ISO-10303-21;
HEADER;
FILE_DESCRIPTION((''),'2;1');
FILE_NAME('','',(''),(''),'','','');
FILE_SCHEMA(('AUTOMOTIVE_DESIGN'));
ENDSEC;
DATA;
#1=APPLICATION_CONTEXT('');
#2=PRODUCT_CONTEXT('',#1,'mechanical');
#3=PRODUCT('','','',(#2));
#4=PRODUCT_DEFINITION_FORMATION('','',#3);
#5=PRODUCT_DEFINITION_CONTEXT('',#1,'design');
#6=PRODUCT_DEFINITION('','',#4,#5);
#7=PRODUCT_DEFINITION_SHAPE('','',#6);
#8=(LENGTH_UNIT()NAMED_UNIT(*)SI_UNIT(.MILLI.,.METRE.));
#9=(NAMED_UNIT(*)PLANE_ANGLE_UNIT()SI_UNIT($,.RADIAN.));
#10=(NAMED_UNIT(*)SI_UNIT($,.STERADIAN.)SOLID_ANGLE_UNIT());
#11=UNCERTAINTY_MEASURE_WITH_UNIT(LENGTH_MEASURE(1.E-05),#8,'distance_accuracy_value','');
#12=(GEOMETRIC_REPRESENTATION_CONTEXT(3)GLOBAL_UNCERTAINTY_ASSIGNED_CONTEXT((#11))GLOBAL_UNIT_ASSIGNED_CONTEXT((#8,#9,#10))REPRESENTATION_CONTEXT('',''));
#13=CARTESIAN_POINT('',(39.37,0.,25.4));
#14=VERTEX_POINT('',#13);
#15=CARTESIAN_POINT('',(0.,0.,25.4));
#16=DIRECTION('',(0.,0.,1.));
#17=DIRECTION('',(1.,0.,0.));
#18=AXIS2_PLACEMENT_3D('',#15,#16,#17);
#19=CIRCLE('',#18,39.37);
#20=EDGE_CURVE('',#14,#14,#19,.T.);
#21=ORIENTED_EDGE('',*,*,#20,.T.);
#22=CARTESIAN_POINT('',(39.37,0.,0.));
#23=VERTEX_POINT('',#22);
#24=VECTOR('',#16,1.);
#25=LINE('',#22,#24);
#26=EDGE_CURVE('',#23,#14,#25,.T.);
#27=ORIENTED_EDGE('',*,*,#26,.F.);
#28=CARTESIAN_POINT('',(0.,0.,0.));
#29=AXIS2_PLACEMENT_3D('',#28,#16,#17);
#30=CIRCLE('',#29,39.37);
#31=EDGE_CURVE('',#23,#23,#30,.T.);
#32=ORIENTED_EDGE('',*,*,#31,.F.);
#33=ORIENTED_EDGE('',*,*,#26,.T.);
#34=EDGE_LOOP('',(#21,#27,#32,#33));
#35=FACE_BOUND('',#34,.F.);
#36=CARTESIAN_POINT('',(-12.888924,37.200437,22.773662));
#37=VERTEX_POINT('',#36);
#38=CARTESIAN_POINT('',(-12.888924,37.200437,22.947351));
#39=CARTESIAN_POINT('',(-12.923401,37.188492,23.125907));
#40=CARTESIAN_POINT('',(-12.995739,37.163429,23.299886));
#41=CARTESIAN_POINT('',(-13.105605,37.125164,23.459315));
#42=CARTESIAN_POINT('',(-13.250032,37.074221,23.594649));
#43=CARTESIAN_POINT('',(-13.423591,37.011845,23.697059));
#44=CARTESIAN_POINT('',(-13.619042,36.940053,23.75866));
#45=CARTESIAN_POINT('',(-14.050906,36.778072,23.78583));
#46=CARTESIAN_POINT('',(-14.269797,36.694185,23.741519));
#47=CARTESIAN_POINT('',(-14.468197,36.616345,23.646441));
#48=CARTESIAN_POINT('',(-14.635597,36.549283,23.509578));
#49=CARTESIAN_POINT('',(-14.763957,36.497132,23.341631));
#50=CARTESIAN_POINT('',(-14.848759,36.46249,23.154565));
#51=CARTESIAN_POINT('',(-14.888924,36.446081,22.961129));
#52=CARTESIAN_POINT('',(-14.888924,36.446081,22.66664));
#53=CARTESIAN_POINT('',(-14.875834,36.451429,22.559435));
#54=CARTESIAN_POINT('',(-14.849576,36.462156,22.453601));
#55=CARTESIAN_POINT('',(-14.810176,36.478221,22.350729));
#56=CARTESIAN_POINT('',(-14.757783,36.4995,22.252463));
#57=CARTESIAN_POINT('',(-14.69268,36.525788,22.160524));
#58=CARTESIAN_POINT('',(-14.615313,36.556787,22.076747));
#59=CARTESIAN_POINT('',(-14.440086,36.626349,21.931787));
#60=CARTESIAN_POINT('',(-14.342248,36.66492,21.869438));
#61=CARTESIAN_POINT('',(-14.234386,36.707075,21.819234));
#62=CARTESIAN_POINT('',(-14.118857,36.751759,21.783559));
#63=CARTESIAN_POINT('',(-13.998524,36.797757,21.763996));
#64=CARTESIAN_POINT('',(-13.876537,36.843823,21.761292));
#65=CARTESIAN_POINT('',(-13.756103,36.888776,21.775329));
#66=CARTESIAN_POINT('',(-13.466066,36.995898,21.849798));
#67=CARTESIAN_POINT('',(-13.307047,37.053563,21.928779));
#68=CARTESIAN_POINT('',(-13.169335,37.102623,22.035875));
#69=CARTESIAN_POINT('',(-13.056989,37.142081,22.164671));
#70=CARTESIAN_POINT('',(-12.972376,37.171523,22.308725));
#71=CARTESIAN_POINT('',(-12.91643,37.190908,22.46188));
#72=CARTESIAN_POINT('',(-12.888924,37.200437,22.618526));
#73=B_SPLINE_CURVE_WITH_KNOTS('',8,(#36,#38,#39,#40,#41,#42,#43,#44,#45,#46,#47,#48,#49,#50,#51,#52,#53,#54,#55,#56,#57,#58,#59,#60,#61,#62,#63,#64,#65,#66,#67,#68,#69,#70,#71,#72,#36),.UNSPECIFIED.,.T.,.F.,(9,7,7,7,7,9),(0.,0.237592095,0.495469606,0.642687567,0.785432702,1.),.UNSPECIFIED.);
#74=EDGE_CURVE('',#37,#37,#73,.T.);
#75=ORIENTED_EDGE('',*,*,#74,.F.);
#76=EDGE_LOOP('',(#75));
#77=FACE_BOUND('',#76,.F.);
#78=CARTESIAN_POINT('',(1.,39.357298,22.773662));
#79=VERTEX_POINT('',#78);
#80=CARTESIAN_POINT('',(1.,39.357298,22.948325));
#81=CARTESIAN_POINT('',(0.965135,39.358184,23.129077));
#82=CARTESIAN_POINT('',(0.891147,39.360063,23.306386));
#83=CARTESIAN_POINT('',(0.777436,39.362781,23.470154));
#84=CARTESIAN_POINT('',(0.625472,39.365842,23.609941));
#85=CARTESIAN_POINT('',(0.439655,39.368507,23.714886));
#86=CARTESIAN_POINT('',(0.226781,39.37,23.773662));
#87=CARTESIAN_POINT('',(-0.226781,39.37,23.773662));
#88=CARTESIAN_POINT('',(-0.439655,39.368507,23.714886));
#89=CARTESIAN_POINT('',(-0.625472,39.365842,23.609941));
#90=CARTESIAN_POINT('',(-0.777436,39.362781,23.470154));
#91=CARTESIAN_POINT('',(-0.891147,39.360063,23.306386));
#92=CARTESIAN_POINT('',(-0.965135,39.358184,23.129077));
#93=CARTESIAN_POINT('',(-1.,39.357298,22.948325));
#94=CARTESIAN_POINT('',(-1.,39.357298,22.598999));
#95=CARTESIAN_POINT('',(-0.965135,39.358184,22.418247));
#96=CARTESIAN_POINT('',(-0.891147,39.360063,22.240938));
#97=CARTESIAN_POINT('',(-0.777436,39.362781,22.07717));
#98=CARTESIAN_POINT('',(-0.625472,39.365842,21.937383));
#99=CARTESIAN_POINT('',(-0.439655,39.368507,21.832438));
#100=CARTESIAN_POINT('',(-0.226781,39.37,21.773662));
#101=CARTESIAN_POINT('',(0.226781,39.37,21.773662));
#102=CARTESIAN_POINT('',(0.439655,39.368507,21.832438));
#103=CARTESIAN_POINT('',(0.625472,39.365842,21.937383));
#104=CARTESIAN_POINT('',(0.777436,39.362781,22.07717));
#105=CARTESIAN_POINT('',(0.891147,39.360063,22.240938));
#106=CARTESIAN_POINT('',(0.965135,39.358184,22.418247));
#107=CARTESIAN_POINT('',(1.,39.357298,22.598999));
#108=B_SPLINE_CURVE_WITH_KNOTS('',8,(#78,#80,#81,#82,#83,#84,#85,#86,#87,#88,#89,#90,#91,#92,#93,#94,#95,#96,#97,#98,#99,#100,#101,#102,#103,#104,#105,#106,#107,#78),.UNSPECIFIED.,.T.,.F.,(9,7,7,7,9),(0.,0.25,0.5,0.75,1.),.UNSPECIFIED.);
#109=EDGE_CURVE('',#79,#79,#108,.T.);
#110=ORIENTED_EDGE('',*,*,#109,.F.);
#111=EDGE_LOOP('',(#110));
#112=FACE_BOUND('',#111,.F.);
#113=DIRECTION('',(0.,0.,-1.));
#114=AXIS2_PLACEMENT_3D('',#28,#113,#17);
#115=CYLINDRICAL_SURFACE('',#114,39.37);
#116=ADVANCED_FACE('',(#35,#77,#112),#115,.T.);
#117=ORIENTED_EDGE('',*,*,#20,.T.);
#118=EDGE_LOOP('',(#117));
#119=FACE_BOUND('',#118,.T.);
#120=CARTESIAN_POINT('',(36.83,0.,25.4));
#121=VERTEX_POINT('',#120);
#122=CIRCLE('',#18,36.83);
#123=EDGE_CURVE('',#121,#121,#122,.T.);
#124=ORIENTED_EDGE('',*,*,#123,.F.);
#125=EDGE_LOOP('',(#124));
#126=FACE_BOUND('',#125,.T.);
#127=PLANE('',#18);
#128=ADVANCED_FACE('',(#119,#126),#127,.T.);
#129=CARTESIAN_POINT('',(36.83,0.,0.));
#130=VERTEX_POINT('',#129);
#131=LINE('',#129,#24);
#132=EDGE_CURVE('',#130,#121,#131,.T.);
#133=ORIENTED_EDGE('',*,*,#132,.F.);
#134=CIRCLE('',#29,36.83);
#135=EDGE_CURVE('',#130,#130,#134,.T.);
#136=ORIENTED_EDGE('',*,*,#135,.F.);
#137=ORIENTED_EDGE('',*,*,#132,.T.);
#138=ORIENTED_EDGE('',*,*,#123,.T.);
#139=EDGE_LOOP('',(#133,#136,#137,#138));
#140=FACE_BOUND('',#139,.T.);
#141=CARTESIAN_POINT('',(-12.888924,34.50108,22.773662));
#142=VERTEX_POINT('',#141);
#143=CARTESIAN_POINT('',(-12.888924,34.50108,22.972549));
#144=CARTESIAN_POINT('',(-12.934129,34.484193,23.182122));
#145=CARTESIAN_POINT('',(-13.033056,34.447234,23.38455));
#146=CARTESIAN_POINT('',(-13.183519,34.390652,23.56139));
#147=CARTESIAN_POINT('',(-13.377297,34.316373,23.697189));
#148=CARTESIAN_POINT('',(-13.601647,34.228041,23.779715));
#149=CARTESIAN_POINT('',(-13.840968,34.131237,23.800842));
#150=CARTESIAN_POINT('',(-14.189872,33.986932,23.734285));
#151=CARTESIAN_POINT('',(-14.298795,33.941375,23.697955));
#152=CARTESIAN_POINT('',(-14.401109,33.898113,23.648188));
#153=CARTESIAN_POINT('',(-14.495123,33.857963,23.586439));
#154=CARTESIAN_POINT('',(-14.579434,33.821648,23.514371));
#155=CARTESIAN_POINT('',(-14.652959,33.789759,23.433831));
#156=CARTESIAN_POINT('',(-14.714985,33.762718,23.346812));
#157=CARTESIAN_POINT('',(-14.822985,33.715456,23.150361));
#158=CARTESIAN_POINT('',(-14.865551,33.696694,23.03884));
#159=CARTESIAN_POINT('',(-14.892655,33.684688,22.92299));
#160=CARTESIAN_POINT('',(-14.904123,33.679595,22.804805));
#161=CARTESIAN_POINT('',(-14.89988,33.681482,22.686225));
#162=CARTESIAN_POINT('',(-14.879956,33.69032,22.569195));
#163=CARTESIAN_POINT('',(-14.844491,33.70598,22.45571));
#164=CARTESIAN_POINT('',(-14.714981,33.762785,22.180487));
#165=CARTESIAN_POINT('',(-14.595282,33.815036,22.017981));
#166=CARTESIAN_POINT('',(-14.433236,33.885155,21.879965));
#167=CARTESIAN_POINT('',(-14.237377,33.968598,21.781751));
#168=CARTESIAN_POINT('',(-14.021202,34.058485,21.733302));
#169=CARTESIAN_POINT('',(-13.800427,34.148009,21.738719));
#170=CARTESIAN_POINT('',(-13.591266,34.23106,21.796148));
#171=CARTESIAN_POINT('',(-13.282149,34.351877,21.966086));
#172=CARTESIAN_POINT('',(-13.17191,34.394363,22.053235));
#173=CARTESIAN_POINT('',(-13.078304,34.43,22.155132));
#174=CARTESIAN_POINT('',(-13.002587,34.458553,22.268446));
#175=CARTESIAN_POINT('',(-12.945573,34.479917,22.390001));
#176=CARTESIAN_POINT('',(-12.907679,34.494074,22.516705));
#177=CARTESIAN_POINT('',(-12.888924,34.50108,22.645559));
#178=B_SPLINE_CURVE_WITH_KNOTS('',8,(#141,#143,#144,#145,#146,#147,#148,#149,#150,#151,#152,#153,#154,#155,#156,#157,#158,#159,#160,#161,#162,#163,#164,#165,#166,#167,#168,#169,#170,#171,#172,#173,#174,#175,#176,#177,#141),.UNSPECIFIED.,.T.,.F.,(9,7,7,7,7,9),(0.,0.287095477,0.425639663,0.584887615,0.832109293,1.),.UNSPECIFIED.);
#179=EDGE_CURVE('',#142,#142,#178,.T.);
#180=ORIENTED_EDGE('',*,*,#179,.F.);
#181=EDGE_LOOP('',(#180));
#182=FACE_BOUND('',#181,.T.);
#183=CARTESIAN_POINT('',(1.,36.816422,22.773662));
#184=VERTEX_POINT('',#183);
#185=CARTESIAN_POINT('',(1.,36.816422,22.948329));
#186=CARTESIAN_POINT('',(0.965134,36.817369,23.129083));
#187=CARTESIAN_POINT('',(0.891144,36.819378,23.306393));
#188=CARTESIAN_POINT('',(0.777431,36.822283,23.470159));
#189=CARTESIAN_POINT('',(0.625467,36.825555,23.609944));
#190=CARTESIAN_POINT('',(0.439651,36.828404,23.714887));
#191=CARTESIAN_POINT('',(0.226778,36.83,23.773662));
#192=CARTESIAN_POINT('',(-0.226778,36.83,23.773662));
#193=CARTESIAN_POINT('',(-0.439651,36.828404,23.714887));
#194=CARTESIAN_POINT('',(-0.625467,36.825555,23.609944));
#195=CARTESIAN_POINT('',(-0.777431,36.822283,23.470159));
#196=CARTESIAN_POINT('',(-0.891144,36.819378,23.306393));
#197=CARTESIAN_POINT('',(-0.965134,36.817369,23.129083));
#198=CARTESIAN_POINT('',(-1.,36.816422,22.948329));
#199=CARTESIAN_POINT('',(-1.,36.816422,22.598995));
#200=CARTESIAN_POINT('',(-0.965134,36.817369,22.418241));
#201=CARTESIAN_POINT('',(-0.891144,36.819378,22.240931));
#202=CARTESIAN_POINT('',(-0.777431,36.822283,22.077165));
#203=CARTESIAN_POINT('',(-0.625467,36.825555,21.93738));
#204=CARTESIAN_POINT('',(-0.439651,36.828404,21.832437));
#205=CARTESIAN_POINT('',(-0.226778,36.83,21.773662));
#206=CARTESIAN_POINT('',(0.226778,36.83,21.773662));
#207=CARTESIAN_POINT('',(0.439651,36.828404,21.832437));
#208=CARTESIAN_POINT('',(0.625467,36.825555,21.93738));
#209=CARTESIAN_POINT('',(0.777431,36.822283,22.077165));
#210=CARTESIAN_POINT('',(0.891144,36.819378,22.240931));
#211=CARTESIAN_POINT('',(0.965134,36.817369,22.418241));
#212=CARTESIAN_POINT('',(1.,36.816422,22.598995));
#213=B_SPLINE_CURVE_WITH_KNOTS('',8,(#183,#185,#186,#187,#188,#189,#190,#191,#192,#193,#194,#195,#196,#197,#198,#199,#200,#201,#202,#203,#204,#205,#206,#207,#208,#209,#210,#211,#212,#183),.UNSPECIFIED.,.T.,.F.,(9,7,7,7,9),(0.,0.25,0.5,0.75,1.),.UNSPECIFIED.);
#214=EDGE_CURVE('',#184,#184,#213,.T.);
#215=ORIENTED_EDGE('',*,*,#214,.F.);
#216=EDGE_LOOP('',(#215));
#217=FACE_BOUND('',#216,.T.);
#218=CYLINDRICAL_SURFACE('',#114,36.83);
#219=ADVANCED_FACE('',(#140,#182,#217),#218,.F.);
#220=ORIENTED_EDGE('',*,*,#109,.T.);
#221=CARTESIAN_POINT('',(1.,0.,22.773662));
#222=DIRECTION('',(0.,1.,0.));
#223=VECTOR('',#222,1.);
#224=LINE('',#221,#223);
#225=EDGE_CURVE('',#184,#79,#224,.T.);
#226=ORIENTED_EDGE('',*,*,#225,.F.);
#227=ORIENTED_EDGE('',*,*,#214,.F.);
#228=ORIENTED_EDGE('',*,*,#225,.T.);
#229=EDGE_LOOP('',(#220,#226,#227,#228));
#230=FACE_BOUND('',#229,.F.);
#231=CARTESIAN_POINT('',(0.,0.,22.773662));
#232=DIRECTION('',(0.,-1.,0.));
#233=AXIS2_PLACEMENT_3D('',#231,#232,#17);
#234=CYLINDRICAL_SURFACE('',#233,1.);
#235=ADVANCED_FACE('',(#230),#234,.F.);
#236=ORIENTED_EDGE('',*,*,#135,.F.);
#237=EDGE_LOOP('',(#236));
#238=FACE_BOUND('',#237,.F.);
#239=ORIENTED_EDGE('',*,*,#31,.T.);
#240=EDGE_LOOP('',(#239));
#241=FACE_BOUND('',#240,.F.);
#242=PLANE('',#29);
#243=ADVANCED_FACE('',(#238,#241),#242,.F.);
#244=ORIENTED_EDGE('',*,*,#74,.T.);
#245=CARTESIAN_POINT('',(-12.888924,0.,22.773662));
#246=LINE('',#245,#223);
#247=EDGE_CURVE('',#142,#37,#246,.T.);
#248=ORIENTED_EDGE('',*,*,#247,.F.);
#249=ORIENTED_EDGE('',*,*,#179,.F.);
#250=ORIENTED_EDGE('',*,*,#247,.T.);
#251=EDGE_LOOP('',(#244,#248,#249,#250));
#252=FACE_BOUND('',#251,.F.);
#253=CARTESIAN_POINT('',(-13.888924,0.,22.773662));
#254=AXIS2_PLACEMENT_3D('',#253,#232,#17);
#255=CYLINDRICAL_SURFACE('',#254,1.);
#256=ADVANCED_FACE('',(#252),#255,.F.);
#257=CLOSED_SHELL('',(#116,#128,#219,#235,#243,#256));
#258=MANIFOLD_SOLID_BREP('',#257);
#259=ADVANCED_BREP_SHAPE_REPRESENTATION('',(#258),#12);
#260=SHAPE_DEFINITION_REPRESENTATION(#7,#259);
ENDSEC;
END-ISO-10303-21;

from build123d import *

# Parameters (mm, degrees)
F0_R     = 39.37
F0_R_2   = 36.83
F1_DEPTH = 25.4
F2_R     = 1
F3_DEPTH = 39.371


with BuildPart() as f1:
    # F0 (on Top) → F1 (new body)
    with BuildSketch(Plane.XY):
        Circle(F0_R)
        Circle(F0_R_2, mode=Mode.SUBTRACT)
    extrude(amount=F1_DEPTH)

    # F2 (on Front) → F3 (cut, through all)
    with BuildSketch(Plane.XZ):
        with Locations((-13.888924, 22.773662)):
            Circle(F2_R)
        with Locations((0, 22.773662)):
            Circle(F2_R)
    extrude(amount=-F3_DEPTH, mode=Mode.SUBTRACT)


solid = f1.part
